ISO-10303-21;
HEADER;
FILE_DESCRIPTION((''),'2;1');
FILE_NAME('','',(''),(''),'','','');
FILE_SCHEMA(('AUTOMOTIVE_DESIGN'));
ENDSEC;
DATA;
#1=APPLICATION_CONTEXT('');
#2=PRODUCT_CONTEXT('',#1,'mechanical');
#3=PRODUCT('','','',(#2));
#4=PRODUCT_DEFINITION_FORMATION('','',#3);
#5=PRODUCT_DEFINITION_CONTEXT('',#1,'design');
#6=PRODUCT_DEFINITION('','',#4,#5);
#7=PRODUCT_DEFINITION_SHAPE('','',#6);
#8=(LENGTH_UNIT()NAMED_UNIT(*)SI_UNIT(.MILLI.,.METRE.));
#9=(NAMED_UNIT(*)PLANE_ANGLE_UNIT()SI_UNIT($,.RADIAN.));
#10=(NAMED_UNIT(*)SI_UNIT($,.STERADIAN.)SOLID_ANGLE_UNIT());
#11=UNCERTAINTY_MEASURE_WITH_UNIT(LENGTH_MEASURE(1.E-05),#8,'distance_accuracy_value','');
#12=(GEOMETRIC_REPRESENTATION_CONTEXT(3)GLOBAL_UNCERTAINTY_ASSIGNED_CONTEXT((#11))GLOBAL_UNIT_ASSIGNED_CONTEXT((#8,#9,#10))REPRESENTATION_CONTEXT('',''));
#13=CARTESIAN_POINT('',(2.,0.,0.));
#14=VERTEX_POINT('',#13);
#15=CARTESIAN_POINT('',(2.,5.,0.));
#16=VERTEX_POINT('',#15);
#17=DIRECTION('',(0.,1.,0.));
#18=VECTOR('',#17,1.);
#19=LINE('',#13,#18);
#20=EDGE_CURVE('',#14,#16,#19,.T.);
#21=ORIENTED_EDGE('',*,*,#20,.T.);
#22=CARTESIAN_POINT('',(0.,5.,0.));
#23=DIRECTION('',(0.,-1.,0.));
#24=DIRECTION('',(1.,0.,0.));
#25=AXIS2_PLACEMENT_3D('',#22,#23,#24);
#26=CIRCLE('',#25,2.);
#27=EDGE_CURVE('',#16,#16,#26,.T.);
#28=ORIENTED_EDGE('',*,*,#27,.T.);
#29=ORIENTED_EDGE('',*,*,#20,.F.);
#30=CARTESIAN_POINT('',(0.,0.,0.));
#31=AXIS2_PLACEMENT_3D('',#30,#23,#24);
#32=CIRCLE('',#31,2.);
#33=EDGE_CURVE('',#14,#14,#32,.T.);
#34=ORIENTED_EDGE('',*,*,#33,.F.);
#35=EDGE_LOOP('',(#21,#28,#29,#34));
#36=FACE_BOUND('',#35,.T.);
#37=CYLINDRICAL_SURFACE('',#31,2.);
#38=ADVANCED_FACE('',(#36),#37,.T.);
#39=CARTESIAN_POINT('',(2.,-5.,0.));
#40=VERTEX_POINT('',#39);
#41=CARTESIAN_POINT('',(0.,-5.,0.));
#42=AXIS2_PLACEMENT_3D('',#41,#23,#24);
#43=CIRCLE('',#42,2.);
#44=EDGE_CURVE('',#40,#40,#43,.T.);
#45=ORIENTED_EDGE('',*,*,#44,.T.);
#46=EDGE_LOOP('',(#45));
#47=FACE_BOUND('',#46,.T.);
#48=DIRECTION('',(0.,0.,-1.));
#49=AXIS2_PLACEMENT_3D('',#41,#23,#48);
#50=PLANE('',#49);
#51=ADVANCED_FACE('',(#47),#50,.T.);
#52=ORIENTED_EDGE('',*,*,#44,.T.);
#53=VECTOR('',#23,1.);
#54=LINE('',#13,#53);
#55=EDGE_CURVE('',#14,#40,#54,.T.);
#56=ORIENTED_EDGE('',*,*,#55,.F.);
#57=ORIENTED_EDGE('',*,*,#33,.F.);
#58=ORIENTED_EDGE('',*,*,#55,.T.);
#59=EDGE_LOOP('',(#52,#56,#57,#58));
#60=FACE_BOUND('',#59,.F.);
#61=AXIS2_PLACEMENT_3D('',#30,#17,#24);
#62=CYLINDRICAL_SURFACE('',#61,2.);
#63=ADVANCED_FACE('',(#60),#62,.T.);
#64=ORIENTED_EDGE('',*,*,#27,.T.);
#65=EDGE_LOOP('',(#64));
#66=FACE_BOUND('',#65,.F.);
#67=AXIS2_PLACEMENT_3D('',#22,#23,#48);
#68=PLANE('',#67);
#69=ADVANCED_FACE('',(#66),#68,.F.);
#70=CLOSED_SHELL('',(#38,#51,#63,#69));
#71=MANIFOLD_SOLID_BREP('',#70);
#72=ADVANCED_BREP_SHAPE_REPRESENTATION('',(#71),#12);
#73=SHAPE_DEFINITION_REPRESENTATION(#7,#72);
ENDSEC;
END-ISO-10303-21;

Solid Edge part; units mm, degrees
sketch "Sketch1" plane through (0, 0, 0) normal (0, -1, 0) x (1, 0, 0)
  circle A0 centre (0, 0) radius 2
  dimension "D1" = 4
extrude "Protrusion1" add sketch "Sketch1" along normal mid plane 10
